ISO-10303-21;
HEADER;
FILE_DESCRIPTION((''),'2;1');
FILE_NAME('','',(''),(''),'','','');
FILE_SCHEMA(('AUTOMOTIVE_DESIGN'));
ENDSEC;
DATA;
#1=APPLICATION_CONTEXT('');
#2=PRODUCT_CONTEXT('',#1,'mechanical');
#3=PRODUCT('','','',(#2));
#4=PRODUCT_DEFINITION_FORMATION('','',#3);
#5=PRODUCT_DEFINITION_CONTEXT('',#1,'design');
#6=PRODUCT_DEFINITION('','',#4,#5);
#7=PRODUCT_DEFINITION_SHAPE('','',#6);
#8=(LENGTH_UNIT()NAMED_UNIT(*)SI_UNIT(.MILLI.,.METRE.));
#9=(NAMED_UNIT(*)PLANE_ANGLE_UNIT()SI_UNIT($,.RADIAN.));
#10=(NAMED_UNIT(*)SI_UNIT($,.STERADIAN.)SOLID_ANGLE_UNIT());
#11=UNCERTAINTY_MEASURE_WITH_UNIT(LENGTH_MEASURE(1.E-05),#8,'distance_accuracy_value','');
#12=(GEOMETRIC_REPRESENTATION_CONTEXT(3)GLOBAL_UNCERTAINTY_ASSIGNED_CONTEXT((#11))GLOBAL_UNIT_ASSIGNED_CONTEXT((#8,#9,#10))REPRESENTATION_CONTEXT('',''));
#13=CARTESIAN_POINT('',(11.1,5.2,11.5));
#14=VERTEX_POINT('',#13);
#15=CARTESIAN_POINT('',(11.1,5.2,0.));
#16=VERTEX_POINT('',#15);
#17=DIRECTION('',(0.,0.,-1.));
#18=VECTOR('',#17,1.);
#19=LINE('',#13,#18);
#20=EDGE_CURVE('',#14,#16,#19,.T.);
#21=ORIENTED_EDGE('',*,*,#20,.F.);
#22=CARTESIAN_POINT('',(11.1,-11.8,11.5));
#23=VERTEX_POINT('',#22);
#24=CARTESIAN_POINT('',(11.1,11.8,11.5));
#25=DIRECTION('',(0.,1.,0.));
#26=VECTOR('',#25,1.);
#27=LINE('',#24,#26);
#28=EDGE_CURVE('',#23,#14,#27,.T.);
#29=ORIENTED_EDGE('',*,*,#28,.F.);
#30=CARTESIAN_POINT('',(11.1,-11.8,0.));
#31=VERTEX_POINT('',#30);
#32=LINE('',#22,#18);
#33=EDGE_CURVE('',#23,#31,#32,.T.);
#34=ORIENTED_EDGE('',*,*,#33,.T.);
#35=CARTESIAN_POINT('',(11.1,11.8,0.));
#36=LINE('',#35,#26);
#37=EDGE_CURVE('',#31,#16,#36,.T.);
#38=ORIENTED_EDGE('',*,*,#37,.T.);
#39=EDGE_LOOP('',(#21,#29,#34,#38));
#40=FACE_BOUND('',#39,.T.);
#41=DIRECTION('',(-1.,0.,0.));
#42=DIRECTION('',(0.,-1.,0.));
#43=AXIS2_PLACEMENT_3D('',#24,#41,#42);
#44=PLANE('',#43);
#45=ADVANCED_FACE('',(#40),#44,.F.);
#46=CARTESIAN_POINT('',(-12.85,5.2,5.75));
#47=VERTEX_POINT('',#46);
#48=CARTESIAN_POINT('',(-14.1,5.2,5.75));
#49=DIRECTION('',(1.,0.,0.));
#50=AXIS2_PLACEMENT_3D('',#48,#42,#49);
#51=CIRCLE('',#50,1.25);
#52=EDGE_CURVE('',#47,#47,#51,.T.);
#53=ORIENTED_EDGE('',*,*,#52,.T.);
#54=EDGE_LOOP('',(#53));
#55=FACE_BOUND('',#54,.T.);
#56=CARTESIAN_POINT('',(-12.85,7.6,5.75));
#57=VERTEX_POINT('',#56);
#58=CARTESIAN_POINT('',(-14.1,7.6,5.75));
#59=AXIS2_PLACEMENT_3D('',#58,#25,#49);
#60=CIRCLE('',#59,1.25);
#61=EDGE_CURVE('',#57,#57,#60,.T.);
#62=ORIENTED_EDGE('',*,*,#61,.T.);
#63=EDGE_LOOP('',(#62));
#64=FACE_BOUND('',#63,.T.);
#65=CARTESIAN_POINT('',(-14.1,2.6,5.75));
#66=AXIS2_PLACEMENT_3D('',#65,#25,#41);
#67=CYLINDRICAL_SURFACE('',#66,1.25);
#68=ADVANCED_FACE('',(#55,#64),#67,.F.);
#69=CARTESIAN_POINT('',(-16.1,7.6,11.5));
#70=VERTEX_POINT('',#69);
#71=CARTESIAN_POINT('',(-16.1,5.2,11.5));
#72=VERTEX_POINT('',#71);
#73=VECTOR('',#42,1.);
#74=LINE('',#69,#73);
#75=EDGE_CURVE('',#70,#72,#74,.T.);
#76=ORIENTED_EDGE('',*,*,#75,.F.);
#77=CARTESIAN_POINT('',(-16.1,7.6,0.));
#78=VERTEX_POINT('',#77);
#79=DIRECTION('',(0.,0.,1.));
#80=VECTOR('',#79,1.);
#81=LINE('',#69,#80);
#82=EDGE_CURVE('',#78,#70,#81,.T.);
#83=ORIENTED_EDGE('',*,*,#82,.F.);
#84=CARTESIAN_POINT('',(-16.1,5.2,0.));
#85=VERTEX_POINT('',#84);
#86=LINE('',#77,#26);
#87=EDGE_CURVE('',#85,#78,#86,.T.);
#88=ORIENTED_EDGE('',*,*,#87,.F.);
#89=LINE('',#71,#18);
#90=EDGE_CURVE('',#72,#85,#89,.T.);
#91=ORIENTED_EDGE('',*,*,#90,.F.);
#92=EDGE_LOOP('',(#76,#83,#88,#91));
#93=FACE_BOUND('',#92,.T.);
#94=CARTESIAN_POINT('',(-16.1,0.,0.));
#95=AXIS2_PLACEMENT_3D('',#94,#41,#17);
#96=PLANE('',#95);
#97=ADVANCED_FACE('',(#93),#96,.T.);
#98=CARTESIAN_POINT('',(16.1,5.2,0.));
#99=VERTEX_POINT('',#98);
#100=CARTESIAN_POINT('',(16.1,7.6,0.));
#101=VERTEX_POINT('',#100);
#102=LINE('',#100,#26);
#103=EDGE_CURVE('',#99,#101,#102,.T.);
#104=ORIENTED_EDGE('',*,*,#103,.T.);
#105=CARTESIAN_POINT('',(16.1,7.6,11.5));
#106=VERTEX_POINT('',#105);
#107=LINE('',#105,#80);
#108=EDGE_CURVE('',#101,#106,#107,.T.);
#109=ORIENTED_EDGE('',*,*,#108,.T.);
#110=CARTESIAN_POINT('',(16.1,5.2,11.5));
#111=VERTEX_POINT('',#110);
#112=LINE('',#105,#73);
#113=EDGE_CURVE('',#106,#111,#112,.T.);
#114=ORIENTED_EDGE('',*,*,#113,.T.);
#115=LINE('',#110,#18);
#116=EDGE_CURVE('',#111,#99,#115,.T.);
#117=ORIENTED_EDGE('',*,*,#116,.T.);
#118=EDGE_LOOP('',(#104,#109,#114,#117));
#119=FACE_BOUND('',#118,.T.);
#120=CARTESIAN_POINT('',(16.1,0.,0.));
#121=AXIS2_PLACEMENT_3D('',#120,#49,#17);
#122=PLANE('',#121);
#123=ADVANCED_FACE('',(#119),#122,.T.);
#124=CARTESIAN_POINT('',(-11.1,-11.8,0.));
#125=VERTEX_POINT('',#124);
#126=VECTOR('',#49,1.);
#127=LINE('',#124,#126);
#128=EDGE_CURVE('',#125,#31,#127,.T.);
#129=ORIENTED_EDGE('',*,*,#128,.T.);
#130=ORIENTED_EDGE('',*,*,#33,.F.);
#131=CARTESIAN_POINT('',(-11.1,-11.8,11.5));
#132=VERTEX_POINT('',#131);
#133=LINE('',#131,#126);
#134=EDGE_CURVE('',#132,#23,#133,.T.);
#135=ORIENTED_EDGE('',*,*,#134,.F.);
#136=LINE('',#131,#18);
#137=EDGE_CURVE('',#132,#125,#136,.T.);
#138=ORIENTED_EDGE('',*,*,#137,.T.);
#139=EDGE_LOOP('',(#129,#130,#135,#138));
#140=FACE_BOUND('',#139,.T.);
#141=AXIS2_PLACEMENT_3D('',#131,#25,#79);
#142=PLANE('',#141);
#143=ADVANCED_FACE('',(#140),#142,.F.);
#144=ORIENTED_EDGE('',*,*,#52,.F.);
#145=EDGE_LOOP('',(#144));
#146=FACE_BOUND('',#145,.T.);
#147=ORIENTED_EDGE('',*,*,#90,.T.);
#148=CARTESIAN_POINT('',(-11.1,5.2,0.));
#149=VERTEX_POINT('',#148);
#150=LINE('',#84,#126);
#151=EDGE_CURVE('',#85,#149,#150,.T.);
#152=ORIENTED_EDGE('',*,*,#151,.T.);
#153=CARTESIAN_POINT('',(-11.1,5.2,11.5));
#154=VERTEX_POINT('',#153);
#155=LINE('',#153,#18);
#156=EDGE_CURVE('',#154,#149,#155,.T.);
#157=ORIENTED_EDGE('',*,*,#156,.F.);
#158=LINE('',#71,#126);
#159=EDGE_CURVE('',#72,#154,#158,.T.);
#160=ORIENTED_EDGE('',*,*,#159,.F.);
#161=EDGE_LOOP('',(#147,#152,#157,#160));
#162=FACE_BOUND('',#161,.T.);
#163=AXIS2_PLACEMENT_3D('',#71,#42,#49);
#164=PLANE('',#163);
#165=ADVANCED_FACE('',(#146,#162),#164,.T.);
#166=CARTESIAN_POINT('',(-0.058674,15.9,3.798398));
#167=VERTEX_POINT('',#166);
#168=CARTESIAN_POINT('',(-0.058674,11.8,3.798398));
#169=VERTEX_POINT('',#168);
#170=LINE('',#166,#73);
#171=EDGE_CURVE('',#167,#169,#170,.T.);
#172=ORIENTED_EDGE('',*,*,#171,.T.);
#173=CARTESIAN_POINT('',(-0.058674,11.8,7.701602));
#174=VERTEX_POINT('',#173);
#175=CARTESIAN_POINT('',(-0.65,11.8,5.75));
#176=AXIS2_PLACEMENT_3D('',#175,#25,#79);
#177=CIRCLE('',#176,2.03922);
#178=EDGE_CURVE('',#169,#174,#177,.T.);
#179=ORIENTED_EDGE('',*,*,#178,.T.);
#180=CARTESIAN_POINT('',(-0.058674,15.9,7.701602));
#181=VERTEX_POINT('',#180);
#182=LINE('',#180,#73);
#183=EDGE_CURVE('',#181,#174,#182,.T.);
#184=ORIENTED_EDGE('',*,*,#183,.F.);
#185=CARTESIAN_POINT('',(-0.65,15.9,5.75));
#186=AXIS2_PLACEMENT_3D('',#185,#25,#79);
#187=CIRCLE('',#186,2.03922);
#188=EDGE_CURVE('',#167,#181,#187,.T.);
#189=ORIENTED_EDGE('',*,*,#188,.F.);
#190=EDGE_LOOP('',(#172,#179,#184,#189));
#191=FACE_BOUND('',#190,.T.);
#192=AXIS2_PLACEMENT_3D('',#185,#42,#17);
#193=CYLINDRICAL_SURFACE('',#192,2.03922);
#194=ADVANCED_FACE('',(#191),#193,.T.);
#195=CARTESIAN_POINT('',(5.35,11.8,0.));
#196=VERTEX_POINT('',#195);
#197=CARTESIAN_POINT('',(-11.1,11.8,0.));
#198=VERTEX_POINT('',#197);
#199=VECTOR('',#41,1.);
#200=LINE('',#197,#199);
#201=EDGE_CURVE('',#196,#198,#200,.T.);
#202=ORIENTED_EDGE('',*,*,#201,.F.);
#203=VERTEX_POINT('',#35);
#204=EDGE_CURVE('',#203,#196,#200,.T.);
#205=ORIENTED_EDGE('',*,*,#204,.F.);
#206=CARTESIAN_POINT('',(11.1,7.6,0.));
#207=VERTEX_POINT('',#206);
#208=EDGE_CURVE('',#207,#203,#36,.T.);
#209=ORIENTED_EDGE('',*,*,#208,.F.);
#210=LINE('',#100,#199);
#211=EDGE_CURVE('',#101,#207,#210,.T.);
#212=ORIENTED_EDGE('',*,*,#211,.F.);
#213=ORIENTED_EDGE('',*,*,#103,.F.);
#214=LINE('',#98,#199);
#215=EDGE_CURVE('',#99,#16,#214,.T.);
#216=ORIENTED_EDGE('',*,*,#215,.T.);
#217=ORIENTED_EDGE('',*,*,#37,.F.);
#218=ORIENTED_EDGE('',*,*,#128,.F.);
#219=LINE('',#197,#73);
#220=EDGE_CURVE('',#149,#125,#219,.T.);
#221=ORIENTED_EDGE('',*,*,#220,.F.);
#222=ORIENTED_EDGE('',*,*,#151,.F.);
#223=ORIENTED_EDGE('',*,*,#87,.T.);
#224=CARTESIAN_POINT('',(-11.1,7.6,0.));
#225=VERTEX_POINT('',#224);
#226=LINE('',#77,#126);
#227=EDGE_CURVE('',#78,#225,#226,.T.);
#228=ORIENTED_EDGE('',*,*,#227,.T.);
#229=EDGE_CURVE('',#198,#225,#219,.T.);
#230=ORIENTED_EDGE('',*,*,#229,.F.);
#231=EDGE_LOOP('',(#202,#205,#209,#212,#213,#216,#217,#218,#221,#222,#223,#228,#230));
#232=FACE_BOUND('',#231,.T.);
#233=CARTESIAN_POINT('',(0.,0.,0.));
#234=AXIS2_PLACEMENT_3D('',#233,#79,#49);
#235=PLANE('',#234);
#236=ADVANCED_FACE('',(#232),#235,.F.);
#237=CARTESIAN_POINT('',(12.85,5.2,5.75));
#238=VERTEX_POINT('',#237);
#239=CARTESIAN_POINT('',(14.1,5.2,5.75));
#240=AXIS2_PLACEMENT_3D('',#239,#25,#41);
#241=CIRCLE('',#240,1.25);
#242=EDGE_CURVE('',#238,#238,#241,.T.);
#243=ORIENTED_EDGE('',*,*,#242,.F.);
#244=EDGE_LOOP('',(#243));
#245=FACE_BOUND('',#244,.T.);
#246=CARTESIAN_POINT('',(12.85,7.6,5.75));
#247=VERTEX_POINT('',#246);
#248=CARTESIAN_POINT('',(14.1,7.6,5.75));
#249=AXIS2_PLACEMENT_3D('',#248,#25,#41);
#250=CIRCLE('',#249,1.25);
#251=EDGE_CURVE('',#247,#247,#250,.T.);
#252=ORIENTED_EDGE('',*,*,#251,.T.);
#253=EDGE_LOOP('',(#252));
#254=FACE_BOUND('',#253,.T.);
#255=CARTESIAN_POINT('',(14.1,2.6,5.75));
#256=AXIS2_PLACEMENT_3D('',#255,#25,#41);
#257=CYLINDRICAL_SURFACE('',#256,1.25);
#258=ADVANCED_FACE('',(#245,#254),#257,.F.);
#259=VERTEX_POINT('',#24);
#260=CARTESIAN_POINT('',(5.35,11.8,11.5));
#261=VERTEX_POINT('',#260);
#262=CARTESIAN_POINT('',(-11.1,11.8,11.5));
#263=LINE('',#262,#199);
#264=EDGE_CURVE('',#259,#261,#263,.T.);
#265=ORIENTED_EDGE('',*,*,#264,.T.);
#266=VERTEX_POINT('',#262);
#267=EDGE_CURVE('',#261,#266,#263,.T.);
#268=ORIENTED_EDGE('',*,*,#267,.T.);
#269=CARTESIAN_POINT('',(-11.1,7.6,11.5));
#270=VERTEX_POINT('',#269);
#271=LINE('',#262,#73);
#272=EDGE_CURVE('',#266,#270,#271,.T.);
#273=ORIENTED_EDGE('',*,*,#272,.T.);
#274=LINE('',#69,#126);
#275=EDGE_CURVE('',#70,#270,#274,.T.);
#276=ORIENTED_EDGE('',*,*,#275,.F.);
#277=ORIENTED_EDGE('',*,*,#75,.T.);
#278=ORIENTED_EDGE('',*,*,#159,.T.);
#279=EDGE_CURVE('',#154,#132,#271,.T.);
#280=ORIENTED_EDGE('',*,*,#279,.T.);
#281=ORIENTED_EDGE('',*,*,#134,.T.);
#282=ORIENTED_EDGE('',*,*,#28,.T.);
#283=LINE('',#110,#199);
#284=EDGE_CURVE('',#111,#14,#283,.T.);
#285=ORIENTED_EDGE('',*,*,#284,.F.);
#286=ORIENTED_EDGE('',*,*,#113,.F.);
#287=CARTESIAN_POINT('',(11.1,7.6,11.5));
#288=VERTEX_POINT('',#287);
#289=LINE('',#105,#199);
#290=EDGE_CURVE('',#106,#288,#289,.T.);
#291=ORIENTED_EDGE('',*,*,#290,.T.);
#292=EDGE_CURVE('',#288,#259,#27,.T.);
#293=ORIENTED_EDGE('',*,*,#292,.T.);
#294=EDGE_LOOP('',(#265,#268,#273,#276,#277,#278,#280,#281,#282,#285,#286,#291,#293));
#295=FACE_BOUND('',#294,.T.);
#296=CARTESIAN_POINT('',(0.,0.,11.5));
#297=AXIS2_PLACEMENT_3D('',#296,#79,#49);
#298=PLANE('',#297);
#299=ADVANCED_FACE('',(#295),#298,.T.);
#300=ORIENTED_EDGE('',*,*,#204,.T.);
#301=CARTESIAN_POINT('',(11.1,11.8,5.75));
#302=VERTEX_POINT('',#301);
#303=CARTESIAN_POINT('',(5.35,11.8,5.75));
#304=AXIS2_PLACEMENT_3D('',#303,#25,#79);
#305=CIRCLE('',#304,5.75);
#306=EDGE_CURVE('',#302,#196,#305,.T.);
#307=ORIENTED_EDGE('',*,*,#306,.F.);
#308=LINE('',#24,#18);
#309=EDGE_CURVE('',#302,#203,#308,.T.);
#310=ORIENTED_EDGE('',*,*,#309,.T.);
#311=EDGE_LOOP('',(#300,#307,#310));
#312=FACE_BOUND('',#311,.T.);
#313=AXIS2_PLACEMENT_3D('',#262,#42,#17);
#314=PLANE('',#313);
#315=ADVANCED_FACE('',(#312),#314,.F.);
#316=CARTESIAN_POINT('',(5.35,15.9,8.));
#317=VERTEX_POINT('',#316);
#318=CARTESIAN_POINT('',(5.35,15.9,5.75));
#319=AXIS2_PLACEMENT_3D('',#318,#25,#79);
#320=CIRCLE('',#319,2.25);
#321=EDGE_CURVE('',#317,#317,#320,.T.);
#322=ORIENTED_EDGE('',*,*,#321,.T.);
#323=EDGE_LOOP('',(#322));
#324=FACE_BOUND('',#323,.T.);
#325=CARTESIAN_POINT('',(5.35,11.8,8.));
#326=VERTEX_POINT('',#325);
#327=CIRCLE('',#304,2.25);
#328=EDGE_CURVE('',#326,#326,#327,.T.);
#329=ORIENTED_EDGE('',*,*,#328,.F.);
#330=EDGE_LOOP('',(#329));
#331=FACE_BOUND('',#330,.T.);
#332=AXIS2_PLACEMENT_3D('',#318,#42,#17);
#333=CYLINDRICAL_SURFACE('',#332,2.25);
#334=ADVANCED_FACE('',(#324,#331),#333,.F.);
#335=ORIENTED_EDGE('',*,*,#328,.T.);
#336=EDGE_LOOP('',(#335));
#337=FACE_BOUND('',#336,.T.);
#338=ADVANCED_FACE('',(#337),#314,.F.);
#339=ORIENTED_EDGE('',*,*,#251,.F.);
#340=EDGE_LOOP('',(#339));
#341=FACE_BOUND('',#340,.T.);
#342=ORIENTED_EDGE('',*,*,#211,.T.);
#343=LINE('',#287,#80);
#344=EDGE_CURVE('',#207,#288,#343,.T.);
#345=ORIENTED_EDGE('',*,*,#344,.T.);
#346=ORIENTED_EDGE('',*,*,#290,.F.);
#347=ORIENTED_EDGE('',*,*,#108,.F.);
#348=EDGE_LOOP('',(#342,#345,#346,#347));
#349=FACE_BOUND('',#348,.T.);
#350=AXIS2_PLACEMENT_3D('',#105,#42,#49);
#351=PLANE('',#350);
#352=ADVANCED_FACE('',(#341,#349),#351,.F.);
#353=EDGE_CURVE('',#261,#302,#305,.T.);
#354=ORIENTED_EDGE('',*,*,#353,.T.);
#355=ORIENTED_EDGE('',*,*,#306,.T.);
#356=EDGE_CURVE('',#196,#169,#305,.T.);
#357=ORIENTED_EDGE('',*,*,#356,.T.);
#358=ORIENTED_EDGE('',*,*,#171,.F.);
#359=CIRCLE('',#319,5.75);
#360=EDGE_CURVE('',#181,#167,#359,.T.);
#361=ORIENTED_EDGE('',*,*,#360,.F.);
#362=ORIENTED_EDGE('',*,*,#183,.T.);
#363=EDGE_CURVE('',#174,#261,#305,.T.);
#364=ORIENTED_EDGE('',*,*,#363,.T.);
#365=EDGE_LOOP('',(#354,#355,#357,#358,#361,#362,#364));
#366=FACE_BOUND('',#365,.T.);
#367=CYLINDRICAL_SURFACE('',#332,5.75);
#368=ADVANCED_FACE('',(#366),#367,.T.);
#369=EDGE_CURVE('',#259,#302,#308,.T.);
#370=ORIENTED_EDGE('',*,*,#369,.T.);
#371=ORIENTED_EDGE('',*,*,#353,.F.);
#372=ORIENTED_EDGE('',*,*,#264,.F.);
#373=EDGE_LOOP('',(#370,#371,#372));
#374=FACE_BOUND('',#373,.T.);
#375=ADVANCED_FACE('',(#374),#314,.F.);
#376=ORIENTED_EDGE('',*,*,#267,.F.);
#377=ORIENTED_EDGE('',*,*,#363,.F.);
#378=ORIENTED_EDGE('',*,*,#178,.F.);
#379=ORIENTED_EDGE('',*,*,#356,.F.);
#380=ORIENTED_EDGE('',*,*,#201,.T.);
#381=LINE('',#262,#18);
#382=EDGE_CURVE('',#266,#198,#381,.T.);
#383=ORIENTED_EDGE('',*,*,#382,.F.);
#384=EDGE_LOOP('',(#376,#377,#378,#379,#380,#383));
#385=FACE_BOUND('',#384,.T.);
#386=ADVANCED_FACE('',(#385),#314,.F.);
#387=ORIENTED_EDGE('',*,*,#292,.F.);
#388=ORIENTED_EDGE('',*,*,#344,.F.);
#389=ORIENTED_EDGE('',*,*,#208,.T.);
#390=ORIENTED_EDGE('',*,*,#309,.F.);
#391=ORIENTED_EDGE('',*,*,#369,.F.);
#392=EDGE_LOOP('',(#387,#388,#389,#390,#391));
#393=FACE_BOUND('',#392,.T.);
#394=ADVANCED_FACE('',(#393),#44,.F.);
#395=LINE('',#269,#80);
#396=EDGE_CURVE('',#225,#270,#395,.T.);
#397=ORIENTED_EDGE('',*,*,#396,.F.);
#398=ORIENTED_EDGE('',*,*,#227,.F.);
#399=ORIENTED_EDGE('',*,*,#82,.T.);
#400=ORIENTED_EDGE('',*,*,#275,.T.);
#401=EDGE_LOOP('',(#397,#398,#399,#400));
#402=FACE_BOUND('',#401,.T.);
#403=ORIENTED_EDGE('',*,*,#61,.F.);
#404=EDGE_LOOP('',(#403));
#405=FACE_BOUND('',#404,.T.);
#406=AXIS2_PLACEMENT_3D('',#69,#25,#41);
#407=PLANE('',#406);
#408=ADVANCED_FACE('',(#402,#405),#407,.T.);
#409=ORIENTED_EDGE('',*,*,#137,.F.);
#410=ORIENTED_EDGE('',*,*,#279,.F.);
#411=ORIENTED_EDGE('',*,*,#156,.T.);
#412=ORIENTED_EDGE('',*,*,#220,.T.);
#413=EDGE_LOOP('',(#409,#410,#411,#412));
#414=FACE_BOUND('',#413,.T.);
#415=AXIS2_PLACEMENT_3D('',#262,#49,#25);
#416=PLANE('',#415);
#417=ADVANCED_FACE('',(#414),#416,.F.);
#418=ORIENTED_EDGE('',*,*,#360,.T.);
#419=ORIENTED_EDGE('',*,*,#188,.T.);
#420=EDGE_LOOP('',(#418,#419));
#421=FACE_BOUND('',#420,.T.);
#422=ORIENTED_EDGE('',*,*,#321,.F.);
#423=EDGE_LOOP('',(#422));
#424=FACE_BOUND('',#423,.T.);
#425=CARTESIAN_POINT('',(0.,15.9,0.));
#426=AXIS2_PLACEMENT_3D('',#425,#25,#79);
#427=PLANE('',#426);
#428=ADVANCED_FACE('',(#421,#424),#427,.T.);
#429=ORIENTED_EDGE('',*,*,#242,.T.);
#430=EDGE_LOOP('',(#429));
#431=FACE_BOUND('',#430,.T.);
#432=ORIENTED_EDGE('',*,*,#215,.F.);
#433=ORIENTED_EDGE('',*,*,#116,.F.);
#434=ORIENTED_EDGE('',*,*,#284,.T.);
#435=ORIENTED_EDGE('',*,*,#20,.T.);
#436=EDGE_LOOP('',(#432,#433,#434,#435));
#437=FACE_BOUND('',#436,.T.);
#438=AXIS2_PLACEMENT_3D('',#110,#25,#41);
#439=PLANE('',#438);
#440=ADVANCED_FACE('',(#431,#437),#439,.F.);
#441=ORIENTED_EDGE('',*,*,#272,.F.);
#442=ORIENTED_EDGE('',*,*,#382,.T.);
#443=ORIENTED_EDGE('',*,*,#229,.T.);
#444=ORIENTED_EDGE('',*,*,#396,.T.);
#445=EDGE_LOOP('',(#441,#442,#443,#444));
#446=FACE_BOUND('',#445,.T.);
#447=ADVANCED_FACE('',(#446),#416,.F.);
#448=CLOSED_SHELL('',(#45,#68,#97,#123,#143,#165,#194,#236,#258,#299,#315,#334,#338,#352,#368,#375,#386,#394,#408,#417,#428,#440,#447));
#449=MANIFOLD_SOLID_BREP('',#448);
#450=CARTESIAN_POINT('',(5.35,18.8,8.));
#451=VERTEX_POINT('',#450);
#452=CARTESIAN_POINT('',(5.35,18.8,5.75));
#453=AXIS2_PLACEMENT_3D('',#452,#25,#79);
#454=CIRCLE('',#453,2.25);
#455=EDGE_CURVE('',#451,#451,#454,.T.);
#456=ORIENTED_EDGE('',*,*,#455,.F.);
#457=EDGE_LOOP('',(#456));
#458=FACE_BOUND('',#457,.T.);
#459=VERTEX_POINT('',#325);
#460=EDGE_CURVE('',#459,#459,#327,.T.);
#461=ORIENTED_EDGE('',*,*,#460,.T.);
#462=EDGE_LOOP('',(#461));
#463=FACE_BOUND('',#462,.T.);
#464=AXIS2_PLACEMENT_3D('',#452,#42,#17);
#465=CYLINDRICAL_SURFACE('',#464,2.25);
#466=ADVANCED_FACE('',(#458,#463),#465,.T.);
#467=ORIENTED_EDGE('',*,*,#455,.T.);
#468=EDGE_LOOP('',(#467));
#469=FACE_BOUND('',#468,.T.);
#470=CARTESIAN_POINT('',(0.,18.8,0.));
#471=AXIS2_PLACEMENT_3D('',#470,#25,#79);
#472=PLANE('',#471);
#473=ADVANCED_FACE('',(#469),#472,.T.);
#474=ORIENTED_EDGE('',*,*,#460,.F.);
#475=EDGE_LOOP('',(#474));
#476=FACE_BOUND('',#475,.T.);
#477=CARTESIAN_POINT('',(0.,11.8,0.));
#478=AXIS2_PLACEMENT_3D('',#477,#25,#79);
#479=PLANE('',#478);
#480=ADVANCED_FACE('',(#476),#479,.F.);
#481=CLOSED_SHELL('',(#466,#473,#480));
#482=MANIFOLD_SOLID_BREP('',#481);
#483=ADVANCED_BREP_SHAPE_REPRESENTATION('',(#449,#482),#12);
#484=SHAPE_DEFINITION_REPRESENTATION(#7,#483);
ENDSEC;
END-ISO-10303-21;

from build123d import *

# Parameters (mm, degrees)
SKETCH2_W           = 22.2
SKETCH2_H           = 23.6
BOSS_EXTRUDE1_DEPTH = 11.5
SKETCH4_W           = 11.5
SKETCH4_H           = 2.4
BOSS_EXTRUDE3_DEPTH = 5
SKETCH5_R           = 1.25
CUT_EXTRUDE1_DEPTH  = 5
SKETCH7_R           = 2.25
BOSS_EXTRUDE4_DEPTH = 4.1
SKETCH7_3_R         = 2.25
BOSS_EXTRUDE5_DEPTH = 7


with BuildPart() as part:
    # Sketch2 → Boss-Extrude1 (new body)
    with BuildSketch(Plane.XY):
        Rectangle(SKETCH2_W, SKETCH2_H)
    extrude(amount=BOSS_EXTRUDE1_DEPTH)

    # Sketch4 → Boss-Extrude3 (add)
    with BuildSketch(Plane(origin=(11.1, 0, 0), x_dir=(0, 0, -1), z_dir=(1, 0, 0))):
        with Locations((-5.75, 6.4)):
            Rectangle(SKETCH4_W, SKETCH4_H)
    boss_extrude3 = extrude(amount=BOSS_EXTRUDE3_DEPTH)

    # Mirror1: Boss-Extrude3 across plane
    add(boss_extrude3.mirror(Plane(origin=(0, 0, 0), x_dir=(0, 0, 1), z_dir=(1, 0, 0))))

    # Sketch5 → Cut-Extrude1 (cut)
    with BuildSketch(Plane(origin=(0, 7.6, 0), x_dir=(1, 0, 0), z_dir=(0, 1, 0))):
        with Locations((14.1, -5.75)):
            Circle(SKETCH5_R)
        with Locations((-14.1, -5.75)):
            Circle(SKETCH5_R)
    extrude(amount=-CUT_EXTRUDE1_DEPTH, mode=Mode.SUBTRACT)

    # Sketch7 → Boss-Extrude4 (add)
    with BuildSketch(Plane(origin=(0, 11.8, 0), x_dir=(1, 0, 0), z_dir=(0, 1, 0))):
        with BuildLine():
            ThreePointArc((-0.05867355, -3.798397984), (-2.689219801, -5.75), (-0.05867355, -7.701602016))
            ThreePointArc((-0.05867355, -7.701602016), (11.1, -5.75), (-0.05867355, -3.798397984))
        make_face()
        with Locations((5.35, -5.75)):
            Circle(SKETCH7_R, mode=Mode.SUBTRACT)
    extrude(amount=BOSS_EXTRUDE4_DEPTH)


with BuildPart() as body_2:
    # Sketch7<3> → Boss-Extrude5 (new body)
    with BuildSketch(Plane(origin=(0, 11.8, 0), x_dir=(1, 0, 0), z_dir=(0, 1, 0))):
        with Locations((5.35, -5.75)):
            Circle(SKETCH7_3_R)
    extrude(amount=BOSS_EXTRUDE5_DEPTH)


solid = Compound([part.part, body_2.part])
